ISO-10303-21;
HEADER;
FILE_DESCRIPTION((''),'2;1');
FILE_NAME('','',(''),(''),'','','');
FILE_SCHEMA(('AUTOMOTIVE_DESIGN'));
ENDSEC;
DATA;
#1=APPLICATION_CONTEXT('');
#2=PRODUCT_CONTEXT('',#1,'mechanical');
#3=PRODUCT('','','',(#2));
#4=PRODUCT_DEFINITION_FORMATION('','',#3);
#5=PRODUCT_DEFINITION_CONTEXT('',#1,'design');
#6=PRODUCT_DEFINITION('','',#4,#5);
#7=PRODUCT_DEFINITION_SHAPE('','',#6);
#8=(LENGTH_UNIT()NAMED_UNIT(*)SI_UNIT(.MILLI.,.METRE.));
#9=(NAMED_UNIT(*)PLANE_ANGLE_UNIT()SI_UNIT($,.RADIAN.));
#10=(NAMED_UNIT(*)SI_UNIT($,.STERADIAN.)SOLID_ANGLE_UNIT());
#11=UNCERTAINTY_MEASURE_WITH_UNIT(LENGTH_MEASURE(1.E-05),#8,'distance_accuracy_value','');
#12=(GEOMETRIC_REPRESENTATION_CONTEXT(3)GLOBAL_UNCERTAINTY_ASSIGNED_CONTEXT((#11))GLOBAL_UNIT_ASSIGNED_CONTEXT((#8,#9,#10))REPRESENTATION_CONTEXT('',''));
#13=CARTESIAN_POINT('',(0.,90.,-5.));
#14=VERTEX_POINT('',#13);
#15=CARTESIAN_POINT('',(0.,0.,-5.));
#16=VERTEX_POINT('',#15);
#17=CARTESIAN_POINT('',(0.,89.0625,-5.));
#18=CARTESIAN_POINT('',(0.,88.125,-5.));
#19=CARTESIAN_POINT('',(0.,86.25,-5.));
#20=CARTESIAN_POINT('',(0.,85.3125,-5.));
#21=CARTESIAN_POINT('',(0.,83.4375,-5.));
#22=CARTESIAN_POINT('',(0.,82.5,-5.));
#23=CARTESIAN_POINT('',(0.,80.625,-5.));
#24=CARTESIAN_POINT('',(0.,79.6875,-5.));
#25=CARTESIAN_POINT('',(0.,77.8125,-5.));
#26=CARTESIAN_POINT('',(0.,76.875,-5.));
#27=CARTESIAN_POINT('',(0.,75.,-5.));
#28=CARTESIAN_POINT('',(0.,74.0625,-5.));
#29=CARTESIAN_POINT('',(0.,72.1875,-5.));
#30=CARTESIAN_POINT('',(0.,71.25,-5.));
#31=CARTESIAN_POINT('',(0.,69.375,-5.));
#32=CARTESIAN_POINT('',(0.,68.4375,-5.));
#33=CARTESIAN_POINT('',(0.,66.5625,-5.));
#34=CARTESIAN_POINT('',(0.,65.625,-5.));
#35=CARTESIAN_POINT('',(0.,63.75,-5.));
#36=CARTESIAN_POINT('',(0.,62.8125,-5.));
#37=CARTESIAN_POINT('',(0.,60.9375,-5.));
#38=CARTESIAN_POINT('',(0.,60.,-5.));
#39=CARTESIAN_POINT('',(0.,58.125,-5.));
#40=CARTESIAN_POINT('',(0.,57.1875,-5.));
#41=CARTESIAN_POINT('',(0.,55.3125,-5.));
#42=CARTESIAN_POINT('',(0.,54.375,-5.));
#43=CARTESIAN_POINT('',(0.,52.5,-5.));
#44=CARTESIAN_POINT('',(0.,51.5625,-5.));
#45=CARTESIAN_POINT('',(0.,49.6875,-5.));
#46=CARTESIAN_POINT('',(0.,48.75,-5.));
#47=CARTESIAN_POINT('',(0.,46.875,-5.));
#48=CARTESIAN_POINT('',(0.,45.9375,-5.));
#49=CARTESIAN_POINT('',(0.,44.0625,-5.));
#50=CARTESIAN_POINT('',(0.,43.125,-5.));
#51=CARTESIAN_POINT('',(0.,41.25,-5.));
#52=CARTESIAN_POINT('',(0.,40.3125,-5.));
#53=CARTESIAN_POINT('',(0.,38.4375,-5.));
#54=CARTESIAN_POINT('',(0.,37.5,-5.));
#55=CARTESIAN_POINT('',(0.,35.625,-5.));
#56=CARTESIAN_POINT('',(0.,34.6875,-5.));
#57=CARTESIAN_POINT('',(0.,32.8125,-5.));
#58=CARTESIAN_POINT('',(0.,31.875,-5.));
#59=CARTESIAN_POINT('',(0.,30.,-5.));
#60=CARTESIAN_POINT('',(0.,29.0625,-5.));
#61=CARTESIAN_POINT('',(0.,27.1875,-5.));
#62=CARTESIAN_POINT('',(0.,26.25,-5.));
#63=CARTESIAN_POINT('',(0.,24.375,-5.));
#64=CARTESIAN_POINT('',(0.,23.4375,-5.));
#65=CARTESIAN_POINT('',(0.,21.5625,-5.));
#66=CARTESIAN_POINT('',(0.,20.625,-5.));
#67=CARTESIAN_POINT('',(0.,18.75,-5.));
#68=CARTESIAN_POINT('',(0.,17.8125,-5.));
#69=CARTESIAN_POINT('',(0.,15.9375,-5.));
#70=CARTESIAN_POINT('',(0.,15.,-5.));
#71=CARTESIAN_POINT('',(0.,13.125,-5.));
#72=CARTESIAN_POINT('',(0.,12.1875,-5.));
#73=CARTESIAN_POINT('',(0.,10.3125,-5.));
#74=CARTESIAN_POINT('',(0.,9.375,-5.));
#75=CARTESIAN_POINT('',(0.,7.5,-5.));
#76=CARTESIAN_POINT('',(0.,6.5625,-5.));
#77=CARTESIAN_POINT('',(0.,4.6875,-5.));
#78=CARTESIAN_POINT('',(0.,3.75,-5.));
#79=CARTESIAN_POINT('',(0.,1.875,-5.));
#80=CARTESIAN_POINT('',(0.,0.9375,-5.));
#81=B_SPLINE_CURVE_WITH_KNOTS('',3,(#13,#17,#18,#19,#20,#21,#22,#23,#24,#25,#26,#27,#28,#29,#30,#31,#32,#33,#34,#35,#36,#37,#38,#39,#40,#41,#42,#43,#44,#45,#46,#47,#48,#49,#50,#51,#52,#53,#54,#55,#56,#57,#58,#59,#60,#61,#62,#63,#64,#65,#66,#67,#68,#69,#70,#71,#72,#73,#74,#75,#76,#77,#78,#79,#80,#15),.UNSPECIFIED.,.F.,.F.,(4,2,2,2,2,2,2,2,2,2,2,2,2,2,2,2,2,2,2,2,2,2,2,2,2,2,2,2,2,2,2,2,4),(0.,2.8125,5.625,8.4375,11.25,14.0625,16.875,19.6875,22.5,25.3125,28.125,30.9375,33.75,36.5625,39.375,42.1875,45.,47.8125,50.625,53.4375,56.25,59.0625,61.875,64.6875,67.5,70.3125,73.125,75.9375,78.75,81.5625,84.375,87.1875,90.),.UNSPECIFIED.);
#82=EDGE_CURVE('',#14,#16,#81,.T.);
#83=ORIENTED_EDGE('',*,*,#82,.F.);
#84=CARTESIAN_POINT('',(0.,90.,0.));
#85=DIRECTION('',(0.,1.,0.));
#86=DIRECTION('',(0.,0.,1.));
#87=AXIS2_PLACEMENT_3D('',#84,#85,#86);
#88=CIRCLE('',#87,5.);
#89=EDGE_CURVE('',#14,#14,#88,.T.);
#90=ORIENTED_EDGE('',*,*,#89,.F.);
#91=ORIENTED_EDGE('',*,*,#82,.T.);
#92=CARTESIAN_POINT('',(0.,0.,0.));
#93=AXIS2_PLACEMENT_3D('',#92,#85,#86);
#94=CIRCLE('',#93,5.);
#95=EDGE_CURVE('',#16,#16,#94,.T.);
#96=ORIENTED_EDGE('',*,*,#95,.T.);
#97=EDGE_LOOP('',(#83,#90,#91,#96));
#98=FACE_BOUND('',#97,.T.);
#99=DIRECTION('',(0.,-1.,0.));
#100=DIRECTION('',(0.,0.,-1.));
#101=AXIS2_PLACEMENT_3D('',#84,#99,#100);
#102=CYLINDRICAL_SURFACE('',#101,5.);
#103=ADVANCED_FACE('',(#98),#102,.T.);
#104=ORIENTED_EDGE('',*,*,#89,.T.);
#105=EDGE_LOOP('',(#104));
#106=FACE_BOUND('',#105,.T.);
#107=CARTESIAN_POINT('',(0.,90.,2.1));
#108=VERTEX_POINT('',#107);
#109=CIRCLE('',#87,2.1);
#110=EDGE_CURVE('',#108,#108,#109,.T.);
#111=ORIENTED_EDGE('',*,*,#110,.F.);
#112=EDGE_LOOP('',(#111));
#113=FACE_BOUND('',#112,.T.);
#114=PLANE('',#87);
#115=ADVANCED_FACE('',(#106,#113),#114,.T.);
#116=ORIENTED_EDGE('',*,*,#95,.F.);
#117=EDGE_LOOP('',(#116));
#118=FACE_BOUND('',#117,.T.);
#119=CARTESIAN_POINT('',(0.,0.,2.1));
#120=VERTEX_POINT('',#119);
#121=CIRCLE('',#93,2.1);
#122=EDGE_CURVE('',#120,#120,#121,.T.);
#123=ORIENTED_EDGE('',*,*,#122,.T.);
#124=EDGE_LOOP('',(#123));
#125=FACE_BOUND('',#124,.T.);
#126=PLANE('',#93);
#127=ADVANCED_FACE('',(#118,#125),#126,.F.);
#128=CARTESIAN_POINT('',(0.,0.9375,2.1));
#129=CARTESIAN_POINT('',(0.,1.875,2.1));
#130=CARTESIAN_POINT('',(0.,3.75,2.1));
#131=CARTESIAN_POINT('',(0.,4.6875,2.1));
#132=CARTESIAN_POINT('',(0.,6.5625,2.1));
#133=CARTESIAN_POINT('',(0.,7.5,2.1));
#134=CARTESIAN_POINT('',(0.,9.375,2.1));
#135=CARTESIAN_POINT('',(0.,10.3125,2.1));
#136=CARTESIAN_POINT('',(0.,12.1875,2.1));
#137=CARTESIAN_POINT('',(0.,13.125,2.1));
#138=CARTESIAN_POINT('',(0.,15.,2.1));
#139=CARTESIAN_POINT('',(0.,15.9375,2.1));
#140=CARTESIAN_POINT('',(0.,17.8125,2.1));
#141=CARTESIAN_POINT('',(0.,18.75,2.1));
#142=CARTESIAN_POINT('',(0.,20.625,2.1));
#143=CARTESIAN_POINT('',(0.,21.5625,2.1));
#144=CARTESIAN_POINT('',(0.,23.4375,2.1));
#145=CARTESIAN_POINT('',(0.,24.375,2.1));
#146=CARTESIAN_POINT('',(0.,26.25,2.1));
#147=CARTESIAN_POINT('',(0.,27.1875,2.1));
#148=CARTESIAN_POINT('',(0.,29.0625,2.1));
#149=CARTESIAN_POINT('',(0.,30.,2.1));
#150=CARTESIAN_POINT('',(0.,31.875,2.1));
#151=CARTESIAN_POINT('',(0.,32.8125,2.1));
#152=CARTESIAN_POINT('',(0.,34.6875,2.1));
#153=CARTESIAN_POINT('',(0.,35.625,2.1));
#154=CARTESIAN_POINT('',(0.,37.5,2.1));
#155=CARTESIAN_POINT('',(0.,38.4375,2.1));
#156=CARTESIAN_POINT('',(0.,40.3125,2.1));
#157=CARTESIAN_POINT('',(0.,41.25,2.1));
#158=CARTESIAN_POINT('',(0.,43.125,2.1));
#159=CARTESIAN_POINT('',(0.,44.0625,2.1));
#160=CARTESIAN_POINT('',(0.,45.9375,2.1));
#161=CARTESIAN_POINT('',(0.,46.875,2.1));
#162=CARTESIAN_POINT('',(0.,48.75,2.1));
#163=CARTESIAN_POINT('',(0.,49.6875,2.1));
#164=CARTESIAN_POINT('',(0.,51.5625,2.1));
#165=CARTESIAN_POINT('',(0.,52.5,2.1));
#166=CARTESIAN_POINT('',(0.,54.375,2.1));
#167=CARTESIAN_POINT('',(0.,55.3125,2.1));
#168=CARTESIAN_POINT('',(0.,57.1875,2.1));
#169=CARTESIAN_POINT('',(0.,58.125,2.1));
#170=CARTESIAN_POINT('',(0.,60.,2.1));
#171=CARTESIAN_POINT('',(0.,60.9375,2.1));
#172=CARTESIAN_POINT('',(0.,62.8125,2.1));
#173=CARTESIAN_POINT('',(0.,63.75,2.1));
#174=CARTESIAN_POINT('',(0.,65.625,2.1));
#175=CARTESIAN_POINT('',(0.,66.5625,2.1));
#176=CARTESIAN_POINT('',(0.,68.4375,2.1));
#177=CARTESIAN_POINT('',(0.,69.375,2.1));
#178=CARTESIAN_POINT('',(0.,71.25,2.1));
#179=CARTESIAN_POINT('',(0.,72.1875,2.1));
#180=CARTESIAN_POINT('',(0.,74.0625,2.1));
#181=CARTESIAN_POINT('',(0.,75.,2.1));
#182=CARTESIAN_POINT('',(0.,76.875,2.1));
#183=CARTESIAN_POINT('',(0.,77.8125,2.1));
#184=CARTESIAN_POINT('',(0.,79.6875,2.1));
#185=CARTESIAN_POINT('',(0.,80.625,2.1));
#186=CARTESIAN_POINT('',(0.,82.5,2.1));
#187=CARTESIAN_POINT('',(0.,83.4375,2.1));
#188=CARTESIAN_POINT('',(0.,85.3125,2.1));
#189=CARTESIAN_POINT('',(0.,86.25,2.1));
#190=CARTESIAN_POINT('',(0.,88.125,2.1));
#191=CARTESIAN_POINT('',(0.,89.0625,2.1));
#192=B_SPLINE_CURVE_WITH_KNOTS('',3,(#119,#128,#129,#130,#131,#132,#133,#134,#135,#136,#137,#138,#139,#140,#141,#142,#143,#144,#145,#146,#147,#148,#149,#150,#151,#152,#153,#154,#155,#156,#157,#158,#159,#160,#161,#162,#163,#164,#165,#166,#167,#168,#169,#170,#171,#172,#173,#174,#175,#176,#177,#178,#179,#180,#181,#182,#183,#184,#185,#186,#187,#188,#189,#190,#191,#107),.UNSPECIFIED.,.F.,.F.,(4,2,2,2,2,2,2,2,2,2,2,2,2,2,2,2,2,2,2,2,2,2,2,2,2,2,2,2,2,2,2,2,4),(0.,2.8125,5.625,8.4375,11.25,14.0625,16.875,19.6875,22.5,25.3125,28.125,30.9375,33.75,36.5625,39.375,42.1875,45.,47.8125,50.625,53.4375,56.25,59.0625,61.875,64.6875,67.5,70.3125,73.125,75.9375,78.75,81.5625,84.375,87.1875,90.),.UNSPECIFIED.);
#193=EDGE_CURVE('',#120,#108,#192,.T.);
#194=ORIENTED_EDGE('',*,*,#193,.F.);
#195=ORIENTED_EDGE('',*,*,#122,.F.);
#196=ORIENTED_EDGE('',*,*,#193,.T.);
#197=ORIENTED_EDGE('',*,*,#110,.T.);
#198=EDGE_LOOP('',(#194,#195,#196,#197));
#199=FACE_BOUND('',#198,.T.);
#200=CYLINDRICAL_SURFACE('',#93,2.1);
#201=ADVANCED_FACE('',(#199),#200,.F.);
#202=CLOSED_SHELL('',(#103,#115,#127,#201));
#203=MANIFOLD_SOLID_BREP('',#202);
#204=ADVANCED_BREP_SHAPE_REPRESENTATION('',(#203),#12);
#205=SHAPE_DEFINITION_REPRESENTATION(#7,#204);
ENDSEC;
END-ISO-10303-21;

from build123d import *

# Parameters (mm, degrees)
SKETCH2_R           = 5
BOSS_EXTRUDE1_DEPTH = 90
SKETCH3_R           = 2.1
CUT_EXTRUDE1_DEPTH  = 91.277350426


with BuildPart() as part:
    # Sketch2 → Boss-Extrude1 (new body)
    with BuildSketch(Plane(origin=(0, 0, 0), x_dir=(1, 0, 0), z_dir=(0, 1, 0))):
        Circle(SKETCH2_R)
    extrude(amount=BOSS_EXTRUDE1_DEPTH)

    # Sketch3 → Cut-Extrude1 (cut, through all)
    with BuildSketch(Plane(origin=(0, 90, 0), x_dir=(1, 0, 0), z_dir=(0, 1, 0))):
        Circle(SKETCH3_R)
    extrude(amount=-CUT_EXTRUDE1_DEPTH, mode=Mode.SUBTRACT)


solid = part.part
